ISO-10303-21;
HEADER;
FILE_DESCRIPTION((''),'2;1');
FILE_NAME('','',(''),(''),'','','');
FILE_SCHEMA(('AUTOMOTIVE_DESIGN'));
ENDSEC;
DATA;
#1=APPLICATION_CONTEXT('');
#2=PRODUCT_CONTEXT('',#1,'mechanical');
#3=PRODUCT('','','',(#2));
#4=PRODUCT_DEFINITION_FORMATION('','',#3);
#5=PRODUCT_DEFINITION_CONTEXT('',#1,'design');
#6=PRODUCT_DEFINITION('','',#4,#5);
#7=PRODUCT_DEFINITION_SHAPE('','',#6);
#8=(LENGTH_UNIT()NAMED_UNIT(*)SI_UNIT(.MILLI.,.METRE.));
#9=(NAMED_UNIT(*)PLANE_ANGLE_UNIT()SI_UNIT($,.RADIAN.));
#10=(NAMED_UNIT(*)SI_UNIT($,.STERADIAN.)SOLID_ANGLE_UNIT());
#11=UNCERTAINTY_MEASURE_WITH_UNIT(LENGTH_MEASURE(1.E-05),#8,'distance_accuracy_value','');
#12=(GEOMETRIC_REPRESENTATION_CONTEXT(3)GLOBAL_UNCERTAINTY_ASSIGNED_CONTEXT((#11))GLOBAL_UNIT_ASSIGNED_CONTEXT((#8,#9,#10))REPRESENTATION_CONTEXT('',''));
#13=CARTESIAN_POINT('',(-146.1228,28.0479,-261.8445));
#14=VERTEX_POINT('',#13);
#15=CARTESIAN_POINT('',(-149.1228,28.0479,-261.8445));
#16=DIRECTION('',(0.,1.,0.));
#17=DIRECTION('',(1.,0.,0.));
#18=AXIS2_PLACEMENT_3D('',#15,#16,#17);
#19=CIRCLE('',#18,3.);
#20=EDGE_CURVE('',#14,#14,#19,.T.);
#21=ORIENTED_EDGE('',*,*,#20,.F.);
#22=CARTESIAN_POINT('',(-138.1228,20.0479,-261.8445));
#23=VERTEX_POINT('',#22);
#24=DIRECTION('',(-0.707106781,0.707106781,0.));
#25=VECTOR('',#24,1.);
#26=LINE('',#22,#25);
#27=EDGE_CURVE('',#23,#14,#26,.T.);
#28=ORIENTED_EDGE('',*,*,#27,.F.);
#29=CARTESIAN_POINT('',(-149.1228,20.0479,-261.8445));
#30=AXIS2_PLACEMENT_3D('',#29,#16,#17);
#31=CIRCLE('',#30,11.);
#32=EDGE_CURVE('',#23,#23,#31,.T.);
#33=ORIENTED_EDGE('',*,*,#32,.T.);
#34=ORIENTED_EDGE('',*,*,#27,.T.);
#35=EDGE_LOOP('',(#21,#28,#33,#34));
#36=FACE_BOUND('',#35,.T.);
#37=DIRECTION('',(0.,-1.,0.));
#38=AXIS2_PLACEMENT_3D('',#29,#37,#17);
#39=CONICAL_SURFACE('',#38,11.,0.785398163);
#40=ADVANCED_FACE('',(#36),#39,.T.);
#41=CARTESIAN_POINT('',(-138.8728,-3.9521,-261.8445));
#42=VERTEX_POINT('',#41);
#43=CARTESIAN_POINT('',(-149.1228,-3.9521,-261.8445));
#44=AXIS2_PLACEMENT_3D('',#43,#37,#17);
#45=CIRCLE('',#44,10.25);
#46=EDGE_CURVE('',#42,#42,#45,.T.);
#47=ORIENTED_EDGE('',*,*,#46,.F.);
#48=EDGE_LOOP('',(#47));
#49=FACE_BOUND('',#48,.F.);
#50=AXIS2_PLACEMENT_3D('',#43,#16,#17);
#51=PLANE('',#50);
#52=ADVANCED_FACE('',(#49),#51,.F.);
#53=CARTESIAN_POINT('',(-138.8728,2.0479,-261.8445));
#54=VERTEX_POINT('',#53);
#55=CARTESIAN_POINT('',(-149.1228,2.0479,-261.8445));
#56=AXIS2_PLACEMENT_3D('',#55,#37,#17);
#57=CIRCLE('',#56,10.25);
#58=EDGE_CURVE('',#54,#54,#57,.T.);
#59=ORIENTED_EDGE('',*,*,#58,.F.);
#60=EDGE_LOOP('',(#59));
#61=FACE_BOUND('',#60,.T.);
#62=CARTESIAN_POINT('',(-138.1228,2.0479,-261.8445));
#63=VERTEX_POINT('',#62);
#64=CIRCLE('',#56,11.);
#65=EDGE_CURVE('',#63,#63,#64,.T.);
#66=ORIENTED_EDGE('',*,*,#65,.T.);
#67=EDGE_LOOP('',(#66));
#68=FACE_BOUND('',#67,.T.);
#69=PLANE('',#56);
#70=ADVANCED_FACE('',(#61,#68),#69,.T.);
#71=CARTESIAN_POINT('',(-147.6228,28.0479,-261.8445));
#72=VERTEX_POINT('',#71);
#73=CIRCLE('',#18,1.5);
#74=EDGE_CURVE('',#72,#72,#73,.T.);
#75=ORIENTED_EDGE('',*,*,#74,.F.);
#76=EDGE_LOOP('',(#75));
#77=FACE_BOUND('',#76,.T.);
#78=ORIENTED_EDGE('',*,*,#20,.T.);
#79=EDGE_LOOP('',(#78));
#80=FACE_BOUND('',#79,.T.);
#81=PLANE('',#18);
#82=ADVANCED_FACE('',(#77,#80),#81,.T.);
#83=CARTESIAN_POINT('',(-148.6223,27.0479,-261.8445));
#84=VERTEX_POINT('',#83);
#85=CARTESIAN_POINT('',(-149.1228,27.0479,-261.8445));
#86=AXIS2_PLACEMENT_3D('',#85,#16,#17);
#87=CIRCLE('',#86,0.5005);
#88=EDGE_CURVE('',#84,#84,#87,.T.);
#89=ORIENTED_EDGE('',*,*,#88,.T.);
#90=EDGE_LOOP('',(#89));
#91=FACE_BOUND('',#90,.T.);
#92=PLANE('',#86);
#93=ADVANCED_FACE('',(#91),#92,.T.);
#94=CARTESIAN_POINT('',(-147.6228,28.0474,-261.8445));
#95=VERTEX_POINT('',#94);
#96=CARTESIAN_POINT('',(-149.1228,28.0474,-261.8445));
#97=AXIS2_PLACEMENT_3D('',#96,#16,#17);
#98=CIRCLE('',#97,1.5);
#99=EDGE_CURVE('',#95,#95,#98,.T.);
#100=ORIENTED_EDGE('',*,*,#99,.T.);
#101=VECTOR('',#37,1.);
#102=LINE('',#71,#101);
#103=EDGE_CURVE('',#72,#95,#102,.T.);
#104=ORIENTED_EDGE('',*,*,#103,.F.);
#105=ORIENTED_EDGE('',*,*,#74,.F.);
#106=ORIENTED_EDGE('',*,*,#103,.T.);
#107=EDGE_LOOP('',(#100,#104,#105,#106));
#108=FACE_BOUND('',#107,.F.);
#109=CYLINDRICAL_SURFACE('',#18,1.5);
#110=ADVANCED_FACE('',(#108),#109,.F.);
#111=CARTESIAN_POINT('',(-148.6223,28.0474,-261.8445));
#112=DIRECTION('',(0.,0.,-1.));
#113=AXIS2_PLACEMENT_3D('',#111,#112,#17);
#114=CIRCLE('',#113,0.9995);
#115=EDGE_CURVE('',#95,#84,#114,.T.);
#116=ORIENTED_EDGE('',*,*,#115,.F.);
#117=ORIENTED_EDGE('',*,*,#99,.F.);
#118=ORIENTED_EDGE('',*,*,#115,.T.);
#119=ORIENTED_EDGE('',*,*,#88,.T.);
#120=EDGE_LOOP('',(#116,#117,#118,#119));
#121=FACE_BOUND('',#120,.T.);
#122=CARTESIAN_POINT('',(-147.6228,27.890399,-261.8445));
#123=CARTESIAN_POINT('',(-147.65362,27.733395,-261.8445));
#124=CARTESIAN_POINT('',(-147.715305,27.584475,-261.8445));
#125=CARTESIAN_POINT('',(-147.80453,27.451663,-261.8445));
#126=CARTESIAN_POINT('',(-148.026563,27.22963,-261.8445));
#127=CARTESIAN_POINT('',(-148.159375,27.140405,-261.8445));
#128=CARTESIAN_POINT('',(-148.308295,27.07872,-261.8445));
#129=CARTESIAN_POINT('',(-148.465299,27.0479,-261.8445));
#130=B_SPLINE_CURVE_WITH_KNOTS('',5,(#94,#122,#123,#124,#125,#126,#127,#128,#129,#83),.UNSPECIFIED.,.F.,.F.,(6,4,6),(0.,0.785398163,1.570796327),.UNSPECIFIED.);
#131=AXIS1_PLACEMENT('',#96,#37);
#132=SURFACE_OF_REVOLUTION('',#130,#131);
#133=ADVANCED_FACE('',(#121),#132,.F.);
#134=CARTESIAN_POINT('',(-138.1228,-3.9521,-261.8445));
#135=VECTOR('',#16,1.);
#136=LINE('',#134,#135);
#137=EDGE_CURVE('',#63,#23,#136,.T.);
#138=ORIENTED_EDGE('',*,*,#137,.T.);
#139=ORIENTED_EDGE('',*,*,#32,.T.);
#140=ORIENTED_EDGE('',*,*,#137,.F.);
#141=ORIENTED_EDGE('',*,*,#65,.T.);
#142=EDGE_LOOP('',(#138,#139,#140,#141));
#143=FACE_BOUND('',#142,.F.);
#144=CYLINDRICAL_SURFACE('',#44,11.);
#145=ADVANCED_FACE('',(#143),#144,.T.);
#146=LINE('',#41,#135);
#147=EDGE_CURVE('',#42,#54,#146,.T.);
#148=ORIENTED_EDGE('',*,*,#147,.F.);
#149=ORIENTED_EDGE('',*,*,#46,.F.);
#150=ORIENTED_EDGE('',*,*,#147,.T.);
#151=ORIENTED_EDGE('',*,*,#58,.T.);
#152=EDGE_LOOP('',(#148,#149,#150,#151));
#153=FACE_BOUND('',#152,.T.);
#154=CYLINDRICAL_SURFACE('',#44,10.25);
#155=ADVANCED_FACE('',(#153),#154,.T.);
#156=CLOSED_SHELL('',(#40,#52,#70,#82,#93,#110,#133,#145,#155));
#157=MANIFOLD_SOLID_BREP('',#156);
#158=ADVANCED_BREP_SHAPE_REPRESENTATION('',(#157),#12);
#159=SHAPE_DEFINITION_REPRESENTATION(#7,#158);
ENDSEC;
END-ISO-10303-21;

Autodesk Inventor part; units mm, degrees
ref_plane "YZ Plane" through (0, 0, 0) normal (1, 0, 0) x (0, 1, 0)
ref_plane "XZ Plane" through (0, 0, 0) normal (0, 1, 0) x (-1, 0, 0)
ref_plane "XY Plane" through (0, 0, 0) normal (0, 0, 1) x (1, 0, 0)
ref_plane "Work Plane1" through (-149.1228, -3.9521, -261.8445) normal (0, 1, 0) x (1, 0, 0)
sketch "Sketch1" plane through (-149.1228, -3.9521, -261.8445) normal (0, 1, 0) x (1, 0, 0)
  circle A0 centre (0, 0) radius 11
  point P0 (149.1228, -261.8445)
  dimension "d0" = 22
extrude "Extrusion1" add sketch "Sketch1" along normal blind 32
sketch "Sketch2" plane through (-149.1228, 28.0479, -261.8445) normal (0, 1, 0) x (1, 0, 0)
  circle A0 centre (0, 0) radius 1
  point P0 (149.1228, -261.8445)
  dimension "d3" = 2
extrude "Extrusion2" [suppressed]
sketch "Sketch3" plane through (-149.1228, -3.9521, -261.8445) normal (0, -1, 0) x (1, 0, 0)
  circle A0 centre (0, 0) radius 11
  circle A1 centre (0, 0) radius 10.25
  point P0 (149.1228, 261.8445)
  dimension "d6" = 22
  dimension "d7" = 20.5
extrude "Extrusion3" cut sketch "Sketch3" against normal blind 6
chamfer "Chamfer1" distance 8 angle 45 1 edges at (-160.1228, 28.0479, -261.8445)
sketch "Sketch4" plane through (-149.1228, 28.0479, -261.8445) normal (0, 1, 0) x (1, 0, 0)
  circle A0 centre (0, 0) radius 11 projected
  circle A1 centre (0, 0) radius 1.5
  point P0 (149.1228, -261.8445)
  dimension "d13" = 3
extrude "Extrusion4" cut sketch "Sketch4" against normal blind 1 contours A1
fillet "Fillet1" radius 1 1 edges at (-150.6228, 27.0479, -261.8445)
properties part number "Objective_placeholder_V2"
